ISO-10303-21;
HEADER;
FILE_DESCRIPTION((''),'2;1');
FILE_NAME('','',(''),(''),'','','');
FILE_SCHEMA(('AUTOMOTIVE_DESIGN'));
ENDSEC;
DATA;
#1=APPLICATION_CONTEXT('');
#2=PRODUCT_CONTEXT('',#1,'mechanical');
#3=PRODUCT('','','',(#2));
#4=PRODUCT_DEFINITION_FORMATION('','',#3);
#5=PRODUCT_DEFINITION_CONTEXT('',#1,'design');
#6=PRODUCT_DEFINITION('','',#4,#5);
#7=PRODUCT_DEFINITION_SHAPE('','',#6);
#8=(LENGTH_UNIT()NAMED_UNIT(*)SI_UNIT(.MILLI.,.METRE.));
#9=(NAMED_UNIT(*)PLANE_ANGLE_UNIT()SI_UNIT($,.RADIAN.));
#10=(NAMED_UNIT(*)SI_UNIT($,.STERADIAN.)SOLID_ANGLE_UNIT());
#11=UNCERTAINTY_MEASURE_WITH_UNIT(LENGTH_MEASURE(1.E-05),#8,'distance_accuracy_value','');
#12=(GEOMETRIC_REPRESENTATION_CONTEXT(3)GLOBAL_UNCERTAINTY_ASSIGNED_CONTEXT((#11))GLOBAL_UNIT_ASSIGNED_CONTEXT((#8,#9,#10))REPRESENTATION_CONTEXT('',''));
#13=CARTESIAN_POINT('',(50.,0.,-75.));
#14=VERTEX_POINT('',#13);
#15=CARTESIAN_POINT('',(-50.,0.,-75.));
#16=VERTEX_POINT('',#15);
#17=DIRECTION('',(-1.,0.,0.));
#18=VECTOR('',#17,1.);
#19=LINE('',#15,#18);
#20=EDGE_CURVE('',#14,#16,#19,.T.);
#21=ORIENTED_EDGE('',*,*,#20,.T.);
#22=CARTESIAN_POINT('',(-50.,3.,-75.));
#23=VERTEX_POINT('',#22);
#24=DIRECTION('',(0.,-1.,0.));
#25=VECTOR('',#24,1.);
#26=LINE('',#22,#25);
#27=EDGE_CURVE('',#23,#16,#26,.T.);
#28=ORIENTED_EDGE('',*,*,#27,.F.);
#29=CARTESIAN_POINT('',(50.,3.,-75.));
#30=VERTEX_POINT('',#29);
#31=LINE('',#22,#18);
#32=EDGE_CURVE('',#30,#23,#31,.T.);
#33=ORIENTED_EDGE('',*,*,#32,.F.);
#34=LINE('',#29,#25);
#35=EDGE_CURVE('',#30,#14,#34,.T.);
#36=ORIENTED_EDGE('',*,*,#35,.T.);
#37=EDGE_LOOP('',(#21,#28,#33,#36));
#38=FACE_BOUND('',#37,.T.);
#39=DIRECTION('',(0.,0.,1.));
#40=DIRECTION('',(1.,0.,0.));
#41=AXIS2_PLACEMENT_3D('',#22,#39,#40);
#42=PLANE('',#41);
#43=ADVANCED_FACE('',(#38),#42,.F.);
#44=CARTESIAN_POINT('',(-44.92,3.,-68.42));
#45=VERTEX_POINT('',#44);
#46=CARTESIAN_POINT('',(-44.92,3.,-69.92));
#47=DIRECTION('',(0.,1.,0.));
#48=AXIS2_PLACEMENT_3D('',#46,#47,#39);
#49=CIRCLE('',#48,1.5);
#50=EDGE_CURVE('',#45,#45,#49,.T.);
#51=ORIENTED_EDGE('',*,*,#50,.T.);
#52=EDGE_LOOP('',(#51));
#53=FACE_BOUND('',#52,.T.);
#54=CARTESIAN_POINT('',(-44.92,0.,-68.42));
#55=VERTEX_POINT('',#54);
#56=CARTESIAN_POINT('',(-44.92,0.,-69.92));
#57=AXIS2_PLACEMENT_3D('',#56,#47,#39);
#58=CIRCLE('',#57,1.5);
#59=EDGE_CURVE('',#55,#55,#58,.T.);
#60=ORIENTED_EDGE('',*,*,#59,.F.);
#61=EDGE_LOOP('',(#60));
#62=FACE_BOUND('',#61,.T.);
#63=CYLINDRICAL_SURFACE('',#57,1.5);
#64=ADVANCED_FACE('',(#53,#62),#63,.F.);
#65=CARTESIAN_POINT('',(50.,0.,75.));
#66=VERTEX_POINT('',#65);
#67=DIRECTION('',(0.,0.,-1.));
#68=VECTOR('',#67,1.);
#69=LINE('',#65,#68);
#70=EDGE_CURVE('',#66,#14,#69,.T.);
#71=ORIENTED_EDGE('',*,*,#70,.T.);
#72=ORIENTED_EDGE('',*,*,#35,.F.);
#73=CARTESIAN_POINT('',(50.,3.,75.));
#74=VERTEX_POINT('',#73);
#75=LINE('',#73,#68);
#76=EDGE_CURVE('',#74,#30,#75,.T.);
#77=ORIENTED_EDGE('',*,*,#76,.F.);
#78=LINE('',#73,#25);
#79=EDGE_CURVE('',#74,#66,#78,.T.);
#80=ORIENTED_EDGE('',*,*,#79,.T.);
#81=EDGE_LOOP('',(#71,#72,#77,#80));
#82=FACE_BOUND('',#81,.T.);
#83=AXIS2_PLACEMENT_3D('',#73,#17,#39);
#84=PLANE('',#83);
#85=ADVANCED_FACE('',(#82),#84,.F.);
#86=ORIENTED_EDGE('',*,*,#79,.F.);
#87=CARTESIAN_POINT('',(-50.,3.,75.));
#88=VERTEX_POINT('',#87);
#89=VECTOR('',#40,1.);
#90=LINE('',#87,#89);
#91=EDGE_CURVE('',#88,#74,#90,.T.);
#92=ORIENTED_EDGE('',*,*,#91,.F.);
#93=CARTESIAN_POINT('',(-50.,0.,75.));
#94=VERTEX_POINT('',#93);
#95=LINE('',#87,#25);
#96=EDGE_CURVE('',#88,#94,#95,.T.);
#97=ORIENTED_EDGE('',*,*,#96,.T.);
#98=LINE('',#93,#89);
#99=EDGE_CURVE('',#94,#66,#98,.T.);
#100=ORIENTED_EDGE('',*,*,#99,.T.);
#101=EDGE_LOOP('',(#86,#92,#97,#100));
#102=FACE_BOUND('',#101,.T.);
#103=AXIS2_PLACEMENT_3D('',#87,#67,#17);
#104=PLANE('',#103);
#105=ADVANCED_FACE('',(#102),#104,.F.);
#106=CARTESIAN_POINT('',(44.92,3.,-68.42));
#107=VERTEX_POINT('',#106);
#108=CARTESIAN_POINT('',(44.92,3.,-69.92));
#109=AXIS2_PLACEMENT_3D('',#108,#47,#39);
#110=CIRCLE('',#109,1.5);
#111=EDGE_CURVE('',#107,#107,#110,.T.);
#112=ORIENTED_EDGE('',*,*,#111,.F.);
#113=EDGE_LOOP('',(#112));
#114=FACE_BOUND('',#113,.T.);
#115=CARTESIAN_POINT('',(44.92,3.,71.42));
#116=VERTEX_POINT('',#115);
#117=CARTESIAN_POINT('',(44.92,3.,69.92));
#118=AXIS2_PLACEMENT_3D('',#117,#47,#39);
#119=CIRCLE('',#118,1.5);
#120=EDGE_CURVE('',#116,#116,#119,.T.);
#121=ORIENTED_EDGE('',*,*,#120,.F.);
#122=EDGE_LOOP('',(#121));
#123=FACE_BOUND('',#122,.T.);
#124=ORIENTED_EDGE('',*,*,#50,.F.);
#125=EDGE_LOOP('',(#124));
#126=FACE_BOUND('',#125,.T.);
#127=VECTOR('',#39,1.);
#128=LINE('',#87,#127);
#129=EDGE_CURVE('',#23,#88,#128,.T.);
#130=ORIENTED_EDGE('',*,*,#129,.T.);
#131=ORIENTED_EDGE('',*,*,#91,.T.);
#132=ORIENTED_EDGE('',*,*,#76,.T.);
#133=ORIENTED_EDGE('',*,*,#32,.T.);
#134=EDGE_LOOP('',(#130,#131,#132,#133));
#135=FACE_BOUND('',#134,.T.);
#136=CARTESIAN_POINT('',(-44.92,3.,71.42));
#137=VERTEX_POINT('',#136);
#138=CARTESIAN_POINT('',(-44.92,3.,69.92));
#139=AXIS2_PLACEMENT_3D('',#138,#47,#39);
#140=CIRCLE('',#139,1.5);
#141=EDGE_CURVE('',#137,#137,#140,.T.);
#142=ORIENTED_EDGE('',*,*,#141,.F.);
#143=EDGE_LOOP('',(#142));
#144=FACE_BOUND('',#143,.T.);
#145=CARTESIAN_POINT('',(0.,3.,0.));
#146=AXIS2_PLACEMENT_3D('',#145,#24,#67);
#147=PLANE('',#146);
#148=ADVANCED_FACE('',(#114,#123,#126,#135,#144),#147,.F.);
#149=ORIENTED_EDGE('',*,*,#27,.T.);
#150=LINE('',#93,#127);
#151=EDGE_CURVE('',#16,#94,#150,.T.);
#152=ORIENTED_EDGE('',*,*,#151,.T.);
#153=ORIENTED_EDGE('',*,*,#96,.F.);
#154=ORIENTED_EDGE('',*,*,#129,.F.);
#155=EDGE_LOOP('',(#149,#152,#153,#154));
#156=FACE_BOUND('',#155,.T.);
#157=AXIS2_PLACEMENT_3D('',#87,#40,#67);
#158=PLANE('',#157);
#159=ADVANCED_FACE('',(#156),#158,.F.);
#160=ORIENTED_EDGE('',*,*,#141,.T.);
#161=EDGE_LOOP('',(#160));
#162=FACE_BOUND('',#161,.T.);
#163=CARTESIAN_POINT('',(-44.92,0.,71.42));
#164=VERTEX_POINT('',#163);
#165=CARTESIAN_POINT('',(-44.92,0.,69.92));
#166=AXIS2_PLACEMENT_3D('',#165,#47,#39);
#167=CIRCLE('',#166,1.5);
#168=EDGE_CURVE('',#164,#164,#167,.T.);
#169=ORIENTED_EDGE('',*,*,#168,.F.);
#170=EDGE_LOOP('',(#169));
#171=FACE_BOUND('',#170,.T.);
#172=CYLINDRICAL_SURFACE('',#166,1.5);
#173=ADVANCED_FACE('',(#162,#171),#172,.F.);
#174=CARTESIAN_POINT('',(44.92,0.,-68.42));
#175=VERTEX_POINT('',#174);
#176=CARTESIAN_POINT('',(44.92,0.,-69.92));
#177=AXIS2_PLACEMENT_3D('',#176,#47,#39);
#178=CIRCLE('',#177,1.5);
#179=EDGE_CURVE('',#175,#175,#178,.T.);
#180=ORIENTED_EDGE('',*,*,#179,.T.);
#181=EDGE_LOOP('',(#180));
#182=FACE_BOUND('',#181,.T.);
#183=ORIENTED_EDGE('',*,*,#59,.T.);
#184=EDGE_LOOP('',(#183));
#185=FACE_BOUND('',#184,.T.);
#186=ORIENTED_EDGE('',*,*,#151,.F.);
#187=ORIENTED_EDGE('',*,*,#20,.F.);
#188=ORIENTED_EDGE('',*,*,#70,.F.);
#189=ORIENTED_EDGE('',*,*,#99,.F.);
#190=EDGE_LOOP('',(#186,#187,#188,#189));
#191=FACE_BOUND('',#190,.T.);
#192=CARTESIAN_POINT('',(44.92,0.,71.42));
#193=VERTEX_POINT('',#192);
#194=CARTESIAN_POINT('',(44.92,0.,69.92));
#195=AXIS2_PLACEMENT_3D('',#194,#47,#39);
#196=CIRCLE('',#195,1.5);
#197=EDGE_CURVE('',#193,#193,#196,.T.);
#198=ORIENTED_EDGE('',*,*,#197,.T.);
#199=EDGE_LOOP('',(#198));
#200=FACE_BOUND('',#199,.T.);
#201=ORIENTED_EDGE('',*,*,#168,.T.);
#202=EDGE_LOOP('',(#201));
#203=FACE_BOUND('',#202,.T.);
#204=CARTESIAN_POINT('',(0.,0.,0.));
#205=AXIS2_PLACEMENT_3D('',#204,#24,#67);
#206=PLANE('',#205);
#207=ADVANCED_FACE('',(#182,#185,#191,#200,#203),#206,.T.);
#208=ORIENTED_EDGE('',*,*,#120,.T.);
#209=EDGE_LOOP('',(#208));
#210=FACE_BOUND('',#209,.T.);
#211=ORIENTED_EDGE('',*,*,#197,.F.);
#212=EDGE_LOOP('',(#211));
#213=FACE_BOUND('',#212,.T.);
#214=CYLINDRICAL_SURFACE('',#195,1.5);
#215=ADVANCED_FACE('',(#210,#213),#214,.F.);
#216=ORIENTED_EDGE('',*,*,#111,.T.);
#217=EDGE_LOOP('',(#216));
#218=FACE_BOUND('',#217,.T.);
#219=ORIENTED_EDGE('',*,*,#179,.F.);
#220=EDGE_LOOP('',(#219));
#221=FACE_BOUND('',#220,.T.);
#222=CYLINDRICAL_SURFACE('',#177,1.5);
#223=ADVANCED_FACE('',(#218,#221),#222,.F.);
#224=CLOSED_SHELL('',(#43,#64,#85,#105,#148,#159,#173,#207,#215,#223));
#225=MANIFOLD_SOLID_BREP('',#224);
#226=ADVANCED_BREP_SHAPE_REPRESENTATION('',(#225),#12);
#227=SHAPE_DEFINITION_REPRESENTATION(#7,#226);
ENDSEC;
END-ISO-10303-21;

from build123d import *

# Parameters (mm, degrees)
SKETCH1_W           = 99.999999898
SKETCH1_H           = 149.999999974
BOSS_EXTRUDE1_DEPTH = 3
SKETCH2_R           = 1.500000048
SKETCH2_R_2         = 1.5
CUT_EXTRUDE1_DEPTH  = 3


with BuildPart() as part:
    # Sketch1 → Boss-Extrude1 (new body)
    with BuildSketch(Plane(origin=(0, 0, 0), x_dir=(1, 0, 0), z_dir=(0, 1, 0))):
        Rectangle(SKETCH1_W, SKETCH1_H)
    extrude(amount=BOSS_EXTRUDE1_DEPTH)

    # Sketch2 → Cut-Extrude1 (cut)
    with BuildSketch(Plane(origin=(0, 3, 0), x_dir=(1, 0, 0), z_dir=(0, 1, 0))):
        with Locations(Location((-44.919999949, 69.919999987, 0), (0, 0, 270))):
            Circle(SKETCH2_R)
        with Locations(Location((44.919999949, 69.919999987, 0), (0, 0, 270))):
            Circle(SKETCH2_R_2)
        with Locations(Location((-44.919999949, -69.919999987, 0), (0, 0, 270))):
            Circle(SKETCH2_R_2)
        with Locations(Location((44.919999949, -69.919999987, 0), (0, 0, 270))):
            Circle(SKETCH2_R_2)
    extrude(amount=-CUT_EXTRUDE1_DEPTH, mode=Mode.SUBTRACT)


solid = part.part
